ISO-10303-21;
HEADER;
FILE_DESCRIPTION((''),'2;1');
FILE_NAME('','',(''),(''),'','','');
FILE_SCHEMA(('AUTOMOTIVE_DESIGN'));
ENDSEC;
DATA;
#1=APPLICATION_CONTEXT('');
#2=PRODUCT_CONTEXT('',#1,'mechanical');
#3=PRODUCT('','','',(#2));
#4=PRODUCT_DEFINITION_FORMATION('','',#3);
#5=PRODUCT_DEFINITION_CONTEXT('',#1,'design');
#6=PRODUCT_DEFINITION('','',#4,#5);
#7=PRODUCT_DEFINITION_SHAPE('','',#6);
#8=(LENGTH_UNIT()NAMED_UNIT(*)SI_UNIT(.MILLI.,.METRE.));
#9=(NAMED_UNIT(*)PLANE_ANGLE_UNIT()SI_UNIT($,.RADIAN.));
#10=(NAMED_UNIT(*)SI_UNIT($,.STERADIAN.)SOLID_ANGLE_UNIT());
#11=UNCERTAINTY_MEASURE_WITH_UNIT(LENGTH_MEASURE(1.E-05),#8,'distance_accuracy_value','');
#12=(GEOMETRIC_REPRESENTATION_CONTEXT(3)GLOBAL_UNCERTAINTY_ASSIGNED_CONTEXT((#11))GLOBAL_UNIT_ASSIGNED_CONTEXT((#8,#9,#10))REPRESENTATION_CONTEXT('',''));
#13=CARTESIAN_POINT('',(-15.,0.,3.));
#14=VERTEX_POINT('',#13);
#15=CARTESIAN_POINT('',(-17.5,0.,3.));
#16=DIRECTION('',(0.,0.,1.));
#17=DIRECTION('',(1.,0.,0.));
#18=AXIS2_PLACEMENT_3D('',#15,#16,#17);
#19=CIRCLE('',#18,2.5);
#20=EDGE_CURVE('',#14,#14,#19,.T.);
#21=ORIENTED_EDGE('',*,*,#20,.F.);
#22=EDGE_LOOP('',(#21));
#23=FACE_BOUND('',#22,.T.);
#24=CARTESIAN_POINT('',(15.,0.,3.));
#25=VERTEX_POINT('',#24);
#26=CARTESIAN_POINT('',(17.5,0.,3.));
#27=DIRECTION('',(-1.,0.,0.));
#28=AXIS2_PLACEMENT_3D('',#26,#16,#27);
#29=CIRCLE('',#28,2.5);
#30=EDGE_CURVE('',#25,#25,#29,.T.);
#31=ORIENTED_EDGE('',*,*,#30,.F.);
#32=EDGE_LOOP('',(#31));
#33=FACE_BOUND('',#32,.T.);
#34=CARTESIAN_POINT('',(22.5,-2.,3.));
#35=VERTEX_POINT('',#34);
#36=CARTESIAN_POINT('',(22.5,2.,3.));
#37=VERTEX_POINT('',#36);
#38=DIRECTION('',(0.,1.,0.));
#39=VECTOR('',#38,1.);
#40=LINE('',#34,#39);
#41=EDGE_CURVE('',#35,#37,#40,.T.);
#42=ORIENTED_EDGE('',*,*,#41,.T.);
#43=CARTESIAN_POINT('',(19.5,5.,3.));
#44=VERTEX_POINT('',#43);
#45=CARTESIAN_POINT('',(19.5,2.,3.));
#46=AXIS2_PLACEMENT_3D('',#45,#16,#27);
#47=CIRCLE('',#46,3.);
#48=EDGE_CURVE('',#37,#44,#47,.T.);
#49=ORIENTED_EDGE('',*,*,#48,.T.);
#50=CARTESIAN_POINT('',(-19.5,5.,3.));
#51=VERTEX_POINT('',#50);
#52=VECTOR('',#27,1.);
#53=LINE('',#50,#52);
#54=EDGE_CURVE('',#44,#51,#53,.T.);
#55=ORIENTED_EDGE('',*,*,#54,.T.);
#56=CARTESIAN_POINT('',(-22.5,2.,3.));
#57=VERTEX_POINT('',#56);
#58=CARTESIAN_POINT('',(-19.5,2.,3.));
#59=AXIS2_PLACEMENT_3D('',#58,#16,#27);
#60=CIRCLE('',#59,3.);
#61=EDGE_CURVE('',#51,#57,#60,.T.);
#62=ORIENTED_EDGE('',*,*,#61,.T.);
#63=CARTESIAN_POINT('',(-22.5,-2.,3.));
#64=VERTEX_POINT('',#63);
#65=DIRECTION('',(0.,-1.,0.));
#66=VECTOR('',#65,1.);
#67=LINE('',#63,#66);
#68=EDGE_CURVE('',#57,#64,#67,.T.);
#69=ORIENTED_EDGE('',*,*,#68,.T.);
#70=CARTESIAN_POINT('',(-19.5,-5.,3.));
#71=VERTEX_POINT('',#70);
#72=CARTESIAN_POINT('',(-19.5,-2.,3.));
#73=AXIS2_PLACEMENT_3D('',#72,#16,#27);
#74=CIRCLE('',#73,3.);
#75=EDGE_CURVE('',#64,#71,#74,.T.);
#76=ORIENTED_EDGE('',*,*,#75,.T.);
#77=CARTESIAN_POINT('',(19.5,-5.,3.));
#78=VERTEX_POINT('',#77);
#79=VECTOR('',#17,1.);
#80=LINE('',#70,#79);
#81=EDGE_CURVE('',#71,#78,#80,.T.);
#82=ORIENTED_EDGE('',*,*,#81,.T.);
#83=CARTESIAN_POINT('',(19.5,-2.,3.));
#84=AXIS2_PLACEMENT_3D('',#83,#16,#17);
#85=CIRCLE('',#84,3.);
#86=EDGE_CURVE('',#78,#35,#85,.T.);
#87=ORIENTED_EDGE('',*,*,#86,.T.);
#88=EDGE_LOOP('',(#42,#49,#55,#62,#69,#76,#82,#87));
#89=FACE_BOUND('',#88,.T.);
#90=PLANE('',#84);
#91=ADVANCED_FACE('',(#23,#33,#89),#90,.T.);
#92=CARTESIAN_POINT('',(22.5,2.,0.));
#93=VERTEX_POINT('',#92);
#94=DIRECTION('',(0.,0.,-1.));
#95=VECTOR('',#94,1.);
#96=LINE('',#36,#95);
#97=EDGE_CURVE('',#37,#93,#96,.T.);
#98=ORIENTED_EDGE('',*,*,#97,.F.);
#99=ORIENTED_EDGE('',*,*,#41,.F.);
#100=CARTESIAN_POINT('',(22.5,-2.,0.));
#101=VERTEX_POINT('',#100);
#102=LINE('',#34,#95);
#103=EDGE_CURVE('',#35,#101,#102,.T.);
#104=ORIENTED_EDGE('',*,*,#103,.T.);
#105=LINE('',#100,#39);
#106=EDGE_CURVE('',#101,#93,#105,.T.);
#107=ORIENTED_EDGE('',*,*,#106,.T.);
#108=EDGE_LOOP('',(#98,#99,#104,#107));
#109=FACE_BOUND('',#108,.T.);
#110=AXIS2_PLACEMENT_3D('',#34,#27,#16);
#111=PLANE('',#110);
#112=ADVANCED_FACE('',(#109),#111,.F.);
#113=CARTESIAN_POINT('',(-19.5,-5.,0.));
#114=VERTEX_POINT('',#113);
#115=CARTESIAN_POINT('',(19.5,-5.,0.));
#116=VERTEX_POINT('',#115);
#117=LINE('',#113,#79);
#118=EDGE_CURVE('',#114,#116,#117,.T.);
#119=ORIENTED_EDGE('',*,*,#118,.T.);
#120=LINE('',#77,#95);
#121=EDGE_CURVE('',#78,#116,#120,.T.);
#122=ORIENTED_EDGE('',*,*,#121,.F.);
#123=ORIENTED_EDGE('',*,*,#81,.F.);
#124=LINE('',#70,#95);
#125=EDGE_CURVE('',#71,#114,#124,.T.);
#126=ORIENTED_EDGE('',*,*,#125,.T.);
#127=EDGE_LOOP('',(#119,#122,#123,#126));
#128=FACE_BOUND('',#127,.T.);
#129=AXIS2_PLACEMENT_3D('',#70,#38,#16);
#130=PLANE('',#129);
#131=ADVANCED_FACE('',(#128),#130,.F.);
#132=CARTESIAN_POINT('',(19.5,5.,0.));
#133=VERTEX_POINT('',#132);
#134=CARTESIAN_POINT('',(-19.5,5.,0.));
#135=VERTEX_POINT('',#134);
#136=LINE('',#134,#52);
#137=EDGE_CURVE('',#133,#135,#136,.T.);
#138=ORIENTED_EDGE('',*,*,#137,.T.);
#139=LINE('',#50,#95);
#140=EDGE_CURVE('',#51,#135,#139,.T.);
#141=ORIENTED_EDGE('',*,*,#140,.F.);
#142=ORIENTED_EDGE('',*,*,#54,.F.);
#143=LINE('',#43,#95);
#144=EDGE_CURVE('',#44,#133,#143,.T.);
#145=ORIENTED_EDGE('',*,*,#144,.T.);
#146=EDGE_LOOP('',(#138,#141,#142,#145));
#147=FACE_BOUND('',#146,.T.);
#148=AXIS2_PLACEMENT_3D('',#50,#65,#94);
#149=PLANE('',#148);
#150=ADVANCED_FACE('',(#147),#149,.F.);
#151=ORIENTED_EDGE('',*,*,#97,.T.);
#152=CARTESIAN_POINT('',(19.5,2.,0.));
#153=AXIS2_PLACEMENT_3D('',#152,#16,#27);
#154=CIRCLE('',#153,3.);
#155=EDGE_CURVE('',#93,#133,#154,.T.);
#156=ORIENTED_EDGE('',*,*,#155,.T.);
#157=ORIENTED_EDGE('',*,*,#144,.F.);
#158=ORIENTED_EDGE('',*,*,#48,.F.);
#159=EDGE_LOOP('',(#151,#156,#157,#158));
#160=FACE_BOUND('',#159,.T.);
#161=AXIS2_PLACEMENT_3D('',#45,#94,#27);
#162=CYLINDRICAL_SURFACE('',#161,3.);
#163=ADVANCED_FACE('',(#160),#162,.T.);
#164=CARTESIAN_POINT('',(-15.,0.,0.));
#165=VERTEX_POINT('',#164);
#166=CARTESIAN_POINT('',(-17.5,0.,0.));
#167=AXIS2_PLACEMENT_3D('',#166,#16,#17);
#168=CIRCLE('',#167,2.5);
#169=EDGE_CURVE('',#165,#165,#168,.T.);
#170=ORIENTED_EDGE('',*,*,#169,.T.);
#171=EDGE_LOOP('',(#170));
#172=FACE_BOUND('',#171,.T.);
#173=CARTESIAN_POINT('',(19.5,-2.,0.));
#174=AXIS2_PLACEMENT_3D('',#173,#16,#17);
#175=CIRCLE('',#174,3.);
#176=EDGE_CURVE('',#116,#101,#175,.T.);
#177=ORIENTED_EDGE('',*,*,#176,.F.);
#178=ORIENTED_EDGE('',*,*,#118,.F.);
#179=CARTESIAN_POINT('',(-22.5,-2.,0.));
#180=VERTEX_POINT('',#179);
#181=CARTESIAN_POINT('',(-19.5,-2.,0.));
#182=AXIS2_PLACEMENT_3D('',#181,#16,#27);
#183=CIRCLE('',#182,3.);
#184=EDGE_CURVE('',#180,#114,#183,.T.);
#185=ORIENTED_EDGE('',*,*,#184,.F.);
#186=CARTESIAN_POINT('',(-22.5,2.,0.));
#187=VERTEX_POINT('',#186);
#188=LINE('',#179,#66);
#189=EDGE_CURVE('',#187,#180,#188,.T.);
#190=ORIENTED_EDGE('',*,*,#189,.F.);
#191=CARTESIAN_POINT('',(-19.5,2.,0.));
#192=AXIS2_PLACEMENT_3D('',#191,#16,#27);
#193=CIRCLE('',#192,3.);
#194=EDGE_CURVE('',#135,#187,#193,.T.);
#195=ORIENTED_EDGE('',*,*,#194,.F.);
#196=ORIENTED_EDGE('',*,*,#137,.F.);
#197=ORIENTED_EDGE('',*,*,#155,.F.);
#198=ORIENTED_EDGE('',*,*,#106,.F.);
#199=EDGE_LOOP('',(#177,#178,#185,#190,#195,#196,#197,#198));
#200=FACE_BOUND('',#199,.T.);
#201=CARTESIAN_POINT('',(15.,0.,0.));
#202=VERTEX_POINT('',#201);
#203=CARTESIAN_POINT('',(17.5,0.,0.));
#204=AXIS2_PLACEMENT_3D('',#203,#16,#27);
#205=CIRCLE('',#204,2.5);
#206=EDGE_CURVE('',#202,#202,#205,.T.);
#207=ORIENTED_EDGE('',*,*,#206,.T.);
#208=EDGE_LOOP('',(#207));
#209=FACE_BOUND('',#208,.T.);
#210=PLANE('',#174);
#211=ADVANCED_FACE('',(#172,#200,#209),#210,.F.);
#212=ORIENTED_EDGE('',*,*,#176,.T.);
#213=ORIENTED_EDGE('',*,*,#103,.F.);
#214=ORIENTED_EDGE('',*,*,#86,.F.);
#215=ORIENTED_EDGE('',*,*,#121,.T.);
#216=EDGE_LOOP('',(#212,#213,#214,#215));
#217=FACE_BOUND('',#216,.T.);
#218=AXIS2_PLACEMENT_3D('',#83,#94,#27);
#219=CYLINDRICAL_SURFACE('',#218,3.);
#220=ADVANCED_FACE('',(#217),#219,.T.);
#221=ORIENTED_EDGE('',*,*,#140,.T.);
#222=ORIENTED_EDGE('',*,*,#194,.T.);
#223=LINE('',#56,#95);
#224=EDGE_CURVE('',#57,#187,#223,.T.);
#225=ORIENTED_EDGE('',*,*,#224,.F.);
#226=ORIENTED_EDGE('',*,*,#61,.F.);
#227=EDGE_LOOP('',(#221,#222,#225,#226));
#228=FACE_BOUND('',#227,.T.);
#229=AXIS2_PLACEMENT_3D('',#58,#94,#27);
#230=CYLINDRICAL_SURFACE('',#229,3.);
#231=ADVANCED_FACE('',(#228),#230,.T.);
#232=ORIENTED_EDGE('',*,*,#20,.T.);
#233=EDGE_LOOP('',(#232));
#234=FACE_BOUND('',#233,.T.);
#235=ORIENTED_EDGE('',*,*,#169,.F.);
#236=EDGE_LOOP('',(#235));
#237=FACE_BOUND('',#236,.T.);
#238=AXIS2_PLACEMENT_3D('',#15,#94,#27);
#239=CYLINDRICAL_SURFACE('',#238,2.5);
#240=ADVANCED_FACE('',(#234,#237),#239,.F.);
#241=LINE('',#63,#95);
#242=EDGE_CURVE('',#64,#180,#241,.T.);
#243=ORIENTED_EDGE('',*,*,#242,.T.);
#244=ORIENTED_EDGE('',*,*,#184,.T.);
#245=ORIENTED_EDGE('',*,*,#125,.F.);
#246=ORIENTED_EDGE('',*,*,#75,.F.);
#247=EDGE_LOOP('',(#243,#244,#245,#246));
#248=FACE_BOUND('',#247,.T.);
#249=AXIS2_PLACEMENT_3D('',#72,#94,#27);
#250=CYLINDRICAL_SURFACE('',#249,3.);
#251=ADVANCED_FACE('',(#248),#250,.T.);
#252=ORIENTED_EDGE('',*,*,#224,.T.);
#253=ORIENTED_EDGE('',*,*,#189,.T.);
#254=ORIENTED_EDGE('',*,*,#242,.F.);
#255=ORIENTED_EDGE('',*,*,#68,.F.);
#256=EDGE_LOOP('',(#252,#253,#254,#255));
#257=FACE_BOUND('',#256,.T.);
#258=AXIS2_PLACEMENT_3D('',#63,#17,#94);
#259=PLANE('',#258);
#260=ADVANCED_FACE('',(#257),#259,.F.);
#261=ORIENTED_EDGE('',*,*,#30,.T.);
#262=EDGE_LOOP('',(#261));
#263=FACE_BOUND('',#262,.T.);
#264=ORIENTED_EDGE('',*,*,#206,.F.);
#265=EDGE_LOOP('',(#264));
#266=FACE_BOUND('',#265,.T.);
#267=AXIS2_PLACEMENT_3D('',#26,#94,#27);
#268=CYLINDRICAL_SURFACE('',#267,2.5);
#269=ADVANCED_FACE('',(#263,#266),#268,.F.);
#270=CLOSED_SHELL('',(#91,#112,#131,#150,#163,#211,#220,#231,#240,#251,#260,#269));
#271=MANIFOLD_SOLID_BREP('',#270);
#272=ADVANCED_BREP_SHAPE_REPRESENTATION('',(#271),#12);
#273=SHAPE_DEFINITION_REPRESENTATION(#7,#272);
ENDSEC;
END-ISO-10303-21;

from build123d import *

# Parameters (mm, degrees)
SKETCH_1_R      = 2.5
EXTRUDE_1_DEPTH = 3


with BuildPart() as part:
    # 草图1 → 凸台-拉伸1 (new body)
    with BuildSketch(Plane.XY):
        with BuildLine():
            Line((-19.5, -5), (19.5, -5))
            ThreePointArc((19.5, -5), (21.621320344, -4.121320344), (22.5, -2))
            Line((22.5, -2), (22.5, 2))
            ThreePointArc((22.5, 2), (21.621320344, 4.121320344), (19.5, 5))
            Line((19.5, 5), (-19.5, 5))
            ThreePointArc((-19.5, 5), (-21.621320344, 4.121320344), (-22.5, 2))
            Line((-22.5, 2), (-22.5, -2))
            ThreePointArc((-22.5, -2), (-21.621320344, -4.121320344), (-19.5, -5))
        make_face()
        with Locations((-17.5, 0)):
            Circle(SKETCH_1_R, mode=Mode.SUBTRACT)
        with Locations(Location((17.5, 0, 0), (0, 0, 180))):
            Circle(SKETCH_1_R, mode=Mode.SUBTRACT)
    extrude(amount=EXTRUDE_1_DEPTH)


solid = part.part
